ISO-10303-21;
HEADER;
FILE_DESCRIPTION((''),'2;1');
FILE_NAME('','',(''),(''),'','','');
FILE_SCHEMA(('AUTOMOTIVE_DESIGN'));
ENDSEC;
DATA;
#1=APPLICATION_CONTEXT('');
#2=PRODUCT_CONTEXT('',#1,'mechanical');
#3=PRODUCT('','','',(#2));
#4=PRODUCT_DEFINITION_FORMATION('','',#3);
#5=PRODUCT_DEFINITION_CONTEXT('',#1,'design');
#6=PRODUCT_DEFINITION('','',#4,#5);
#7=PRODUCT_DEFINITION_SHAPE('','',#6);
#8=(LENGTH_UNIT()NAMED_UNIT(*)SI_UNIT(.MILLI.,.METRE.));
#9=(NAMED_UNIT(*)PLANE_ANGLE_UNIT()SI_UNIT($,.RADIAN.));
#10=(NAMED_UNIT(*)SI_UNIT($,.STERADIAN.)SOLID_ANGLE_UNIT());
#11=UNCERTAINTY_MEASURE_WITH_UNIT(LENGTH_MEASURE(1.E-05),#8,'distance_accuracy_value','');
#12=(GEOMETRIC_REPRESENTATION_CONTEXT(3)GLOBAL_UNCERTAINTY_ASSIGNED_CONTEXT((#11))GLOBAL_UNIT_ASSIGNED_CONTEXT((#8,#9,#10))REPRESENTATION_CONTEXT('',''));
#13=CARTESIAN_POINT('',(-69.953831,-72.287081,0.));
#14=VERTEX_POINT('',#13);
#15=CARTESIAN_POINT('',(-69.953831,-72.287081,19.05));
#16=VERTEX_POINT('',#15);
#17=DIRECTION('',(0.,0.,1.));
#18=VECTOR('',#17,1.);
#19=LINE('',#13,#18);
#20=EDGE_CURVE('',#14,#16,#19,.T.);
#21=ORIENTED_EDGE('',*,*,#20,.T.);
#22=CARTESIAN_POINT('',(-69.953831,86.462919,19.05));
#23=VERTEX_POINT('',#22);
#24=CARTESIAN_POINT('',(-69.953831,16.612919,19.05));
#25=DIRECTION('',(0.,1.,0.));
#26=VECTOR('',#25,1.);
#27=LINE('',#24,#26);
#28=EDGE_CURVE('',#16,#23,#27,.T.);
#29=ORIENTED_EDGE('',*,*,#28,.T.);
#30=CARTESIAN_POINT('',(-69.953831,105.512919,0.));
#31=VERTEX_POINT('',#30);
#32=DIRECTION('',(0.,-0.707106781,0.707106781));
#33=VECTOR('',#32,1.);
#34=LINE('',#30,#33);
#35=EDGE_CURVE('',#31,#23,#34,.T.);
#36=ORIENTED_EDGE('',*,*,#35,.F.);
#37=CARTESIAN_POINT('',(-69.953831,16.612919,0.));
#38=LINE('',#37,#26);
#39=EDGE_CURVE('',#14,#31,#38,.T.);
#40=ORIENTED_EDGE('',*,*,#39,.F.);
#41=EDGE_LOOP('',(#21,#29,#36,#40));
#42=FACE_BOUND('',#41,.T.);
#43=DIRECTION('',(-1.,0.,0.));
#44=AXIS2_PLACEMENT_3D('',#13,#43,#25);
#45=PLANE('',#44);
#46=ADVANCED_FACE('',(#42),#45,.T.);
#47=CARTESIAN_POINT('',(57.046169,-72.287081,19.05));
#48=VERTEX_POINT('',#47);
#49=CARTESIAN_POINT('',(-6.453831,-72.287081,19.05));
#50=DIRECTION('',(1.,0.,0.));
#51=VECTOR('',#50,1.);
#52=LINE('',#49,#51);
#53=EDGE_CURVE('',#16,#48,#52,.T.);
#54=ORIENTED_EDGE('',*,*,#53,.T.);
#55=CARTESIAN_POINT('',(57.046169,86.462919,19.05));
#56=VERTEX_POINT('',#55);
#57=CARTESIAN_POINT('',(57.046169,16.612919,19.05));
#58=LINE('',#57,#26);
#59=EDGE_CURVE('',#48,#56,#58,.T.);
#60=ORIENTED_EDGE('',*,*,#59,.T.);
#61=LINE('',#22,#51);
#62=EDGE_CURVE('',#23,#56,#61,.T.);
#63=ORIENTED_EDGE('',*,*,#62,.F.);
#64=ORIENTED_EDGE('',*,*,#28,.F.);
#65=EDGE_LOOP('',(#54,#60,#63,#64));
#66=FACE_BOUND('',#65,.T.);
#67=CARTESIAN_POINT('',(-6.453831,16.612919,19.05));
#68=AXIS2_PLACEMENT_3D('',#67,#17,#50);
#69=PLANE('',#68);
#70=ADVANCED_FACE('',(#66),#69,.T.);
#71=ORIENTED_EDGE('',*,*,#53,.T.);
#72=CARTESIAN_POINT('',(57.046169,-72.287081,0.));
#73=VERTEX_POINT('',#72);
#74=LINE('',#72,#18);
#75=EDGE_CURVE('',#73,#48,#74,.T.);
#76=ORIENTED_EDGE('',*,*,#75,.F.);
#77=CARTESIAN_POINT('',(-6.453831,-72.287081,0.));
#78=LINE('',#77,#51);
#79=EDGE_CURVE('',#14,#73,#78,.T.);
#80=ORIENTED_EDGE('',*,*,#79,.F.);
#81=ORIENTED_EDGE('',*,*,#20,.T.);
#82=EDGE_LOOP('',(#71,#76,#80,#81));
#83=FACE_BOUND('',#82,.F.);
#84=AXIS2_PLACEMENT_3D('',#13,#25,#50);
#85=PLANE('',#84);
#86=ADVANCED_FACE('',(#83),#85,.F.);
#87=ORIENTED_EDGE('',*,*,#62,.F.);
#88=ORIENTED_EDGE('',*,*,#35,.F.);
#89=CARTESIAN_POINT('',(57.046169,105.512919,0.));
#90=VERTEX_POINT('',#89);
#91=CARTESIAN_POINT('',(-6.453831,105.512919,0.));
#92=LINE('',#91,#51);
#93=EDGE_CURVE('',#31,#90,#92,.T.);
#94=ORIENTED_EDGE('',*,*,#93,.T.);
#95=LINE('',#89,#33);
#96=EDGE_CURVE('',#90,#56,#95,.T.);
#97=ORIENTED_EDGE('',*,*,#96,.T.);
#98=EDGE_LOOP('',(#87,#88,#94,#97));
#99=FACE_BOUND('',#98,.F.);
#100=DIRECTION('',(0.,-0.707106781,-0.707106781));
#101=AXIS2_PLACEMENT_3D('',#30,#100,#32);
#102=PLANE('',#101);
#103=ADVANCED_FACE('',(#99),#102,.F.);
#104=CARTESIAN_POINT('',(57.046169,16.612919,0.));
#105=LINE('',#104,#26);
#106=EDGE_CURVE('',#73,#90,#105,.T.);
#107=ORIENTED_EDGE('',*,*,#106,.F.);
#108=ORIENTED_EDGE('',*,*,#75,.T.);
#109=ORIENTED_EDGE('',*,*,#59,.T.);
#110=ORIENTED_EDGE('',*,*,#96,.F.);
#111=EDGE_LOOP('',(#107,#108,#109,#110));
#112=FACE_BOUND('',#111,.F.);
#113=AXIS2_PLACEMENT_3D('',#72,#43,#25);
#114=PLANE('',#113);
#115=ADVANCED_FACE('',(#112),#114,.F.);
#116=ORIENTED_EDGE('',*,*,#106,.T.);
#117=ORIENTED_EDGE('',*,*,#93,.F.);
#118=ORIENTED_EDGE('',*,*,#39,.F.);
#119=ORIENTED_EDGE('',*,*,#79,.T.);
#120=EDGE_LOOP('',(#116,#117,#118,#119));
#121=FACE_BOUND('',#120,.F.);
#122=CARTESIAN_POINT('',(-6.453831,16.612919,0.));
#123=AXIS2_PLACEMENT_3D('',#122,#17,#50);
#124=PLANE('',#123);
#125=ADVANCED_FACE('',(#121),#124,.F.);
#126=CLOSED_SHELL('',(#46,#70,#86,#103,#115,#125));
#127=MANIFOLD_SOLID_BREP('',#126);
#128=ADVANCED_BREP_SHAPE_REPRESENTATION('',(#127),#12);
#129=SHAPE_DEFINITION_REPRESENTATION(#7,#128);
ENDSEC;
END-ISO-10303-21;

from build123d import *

# Parameters (mm, degrees)
F0_W     = 127
F0_H     = 177.8
F1_DEPTH = 19.05
F3_DEPTH = 127


with BuildPart() as f1:
    # F0 (on Top) → F1 (new body)
    with BuildSketch(Plane.XY):
        with Locations((-6.453831, 16.612919)):
            Rectangle(F0_W, F0_H)
    extrude(amount=F1_DEPTH)

    # F2 (on face) → F3 (cut)
    with BuildSketch(Plane(origin=(-69.953831, 0, 0), x_dir=(0, -1, 0), z_dir=(-1, 0, 0))):
        Polygon((-105.512919, 19.05), (-105.512919, 0), (-86.462919, 19.05), align=None)
    extrude(amount=-F3_DEPTH, mode=Mode.SUBTRACT)


solid = f1.part
